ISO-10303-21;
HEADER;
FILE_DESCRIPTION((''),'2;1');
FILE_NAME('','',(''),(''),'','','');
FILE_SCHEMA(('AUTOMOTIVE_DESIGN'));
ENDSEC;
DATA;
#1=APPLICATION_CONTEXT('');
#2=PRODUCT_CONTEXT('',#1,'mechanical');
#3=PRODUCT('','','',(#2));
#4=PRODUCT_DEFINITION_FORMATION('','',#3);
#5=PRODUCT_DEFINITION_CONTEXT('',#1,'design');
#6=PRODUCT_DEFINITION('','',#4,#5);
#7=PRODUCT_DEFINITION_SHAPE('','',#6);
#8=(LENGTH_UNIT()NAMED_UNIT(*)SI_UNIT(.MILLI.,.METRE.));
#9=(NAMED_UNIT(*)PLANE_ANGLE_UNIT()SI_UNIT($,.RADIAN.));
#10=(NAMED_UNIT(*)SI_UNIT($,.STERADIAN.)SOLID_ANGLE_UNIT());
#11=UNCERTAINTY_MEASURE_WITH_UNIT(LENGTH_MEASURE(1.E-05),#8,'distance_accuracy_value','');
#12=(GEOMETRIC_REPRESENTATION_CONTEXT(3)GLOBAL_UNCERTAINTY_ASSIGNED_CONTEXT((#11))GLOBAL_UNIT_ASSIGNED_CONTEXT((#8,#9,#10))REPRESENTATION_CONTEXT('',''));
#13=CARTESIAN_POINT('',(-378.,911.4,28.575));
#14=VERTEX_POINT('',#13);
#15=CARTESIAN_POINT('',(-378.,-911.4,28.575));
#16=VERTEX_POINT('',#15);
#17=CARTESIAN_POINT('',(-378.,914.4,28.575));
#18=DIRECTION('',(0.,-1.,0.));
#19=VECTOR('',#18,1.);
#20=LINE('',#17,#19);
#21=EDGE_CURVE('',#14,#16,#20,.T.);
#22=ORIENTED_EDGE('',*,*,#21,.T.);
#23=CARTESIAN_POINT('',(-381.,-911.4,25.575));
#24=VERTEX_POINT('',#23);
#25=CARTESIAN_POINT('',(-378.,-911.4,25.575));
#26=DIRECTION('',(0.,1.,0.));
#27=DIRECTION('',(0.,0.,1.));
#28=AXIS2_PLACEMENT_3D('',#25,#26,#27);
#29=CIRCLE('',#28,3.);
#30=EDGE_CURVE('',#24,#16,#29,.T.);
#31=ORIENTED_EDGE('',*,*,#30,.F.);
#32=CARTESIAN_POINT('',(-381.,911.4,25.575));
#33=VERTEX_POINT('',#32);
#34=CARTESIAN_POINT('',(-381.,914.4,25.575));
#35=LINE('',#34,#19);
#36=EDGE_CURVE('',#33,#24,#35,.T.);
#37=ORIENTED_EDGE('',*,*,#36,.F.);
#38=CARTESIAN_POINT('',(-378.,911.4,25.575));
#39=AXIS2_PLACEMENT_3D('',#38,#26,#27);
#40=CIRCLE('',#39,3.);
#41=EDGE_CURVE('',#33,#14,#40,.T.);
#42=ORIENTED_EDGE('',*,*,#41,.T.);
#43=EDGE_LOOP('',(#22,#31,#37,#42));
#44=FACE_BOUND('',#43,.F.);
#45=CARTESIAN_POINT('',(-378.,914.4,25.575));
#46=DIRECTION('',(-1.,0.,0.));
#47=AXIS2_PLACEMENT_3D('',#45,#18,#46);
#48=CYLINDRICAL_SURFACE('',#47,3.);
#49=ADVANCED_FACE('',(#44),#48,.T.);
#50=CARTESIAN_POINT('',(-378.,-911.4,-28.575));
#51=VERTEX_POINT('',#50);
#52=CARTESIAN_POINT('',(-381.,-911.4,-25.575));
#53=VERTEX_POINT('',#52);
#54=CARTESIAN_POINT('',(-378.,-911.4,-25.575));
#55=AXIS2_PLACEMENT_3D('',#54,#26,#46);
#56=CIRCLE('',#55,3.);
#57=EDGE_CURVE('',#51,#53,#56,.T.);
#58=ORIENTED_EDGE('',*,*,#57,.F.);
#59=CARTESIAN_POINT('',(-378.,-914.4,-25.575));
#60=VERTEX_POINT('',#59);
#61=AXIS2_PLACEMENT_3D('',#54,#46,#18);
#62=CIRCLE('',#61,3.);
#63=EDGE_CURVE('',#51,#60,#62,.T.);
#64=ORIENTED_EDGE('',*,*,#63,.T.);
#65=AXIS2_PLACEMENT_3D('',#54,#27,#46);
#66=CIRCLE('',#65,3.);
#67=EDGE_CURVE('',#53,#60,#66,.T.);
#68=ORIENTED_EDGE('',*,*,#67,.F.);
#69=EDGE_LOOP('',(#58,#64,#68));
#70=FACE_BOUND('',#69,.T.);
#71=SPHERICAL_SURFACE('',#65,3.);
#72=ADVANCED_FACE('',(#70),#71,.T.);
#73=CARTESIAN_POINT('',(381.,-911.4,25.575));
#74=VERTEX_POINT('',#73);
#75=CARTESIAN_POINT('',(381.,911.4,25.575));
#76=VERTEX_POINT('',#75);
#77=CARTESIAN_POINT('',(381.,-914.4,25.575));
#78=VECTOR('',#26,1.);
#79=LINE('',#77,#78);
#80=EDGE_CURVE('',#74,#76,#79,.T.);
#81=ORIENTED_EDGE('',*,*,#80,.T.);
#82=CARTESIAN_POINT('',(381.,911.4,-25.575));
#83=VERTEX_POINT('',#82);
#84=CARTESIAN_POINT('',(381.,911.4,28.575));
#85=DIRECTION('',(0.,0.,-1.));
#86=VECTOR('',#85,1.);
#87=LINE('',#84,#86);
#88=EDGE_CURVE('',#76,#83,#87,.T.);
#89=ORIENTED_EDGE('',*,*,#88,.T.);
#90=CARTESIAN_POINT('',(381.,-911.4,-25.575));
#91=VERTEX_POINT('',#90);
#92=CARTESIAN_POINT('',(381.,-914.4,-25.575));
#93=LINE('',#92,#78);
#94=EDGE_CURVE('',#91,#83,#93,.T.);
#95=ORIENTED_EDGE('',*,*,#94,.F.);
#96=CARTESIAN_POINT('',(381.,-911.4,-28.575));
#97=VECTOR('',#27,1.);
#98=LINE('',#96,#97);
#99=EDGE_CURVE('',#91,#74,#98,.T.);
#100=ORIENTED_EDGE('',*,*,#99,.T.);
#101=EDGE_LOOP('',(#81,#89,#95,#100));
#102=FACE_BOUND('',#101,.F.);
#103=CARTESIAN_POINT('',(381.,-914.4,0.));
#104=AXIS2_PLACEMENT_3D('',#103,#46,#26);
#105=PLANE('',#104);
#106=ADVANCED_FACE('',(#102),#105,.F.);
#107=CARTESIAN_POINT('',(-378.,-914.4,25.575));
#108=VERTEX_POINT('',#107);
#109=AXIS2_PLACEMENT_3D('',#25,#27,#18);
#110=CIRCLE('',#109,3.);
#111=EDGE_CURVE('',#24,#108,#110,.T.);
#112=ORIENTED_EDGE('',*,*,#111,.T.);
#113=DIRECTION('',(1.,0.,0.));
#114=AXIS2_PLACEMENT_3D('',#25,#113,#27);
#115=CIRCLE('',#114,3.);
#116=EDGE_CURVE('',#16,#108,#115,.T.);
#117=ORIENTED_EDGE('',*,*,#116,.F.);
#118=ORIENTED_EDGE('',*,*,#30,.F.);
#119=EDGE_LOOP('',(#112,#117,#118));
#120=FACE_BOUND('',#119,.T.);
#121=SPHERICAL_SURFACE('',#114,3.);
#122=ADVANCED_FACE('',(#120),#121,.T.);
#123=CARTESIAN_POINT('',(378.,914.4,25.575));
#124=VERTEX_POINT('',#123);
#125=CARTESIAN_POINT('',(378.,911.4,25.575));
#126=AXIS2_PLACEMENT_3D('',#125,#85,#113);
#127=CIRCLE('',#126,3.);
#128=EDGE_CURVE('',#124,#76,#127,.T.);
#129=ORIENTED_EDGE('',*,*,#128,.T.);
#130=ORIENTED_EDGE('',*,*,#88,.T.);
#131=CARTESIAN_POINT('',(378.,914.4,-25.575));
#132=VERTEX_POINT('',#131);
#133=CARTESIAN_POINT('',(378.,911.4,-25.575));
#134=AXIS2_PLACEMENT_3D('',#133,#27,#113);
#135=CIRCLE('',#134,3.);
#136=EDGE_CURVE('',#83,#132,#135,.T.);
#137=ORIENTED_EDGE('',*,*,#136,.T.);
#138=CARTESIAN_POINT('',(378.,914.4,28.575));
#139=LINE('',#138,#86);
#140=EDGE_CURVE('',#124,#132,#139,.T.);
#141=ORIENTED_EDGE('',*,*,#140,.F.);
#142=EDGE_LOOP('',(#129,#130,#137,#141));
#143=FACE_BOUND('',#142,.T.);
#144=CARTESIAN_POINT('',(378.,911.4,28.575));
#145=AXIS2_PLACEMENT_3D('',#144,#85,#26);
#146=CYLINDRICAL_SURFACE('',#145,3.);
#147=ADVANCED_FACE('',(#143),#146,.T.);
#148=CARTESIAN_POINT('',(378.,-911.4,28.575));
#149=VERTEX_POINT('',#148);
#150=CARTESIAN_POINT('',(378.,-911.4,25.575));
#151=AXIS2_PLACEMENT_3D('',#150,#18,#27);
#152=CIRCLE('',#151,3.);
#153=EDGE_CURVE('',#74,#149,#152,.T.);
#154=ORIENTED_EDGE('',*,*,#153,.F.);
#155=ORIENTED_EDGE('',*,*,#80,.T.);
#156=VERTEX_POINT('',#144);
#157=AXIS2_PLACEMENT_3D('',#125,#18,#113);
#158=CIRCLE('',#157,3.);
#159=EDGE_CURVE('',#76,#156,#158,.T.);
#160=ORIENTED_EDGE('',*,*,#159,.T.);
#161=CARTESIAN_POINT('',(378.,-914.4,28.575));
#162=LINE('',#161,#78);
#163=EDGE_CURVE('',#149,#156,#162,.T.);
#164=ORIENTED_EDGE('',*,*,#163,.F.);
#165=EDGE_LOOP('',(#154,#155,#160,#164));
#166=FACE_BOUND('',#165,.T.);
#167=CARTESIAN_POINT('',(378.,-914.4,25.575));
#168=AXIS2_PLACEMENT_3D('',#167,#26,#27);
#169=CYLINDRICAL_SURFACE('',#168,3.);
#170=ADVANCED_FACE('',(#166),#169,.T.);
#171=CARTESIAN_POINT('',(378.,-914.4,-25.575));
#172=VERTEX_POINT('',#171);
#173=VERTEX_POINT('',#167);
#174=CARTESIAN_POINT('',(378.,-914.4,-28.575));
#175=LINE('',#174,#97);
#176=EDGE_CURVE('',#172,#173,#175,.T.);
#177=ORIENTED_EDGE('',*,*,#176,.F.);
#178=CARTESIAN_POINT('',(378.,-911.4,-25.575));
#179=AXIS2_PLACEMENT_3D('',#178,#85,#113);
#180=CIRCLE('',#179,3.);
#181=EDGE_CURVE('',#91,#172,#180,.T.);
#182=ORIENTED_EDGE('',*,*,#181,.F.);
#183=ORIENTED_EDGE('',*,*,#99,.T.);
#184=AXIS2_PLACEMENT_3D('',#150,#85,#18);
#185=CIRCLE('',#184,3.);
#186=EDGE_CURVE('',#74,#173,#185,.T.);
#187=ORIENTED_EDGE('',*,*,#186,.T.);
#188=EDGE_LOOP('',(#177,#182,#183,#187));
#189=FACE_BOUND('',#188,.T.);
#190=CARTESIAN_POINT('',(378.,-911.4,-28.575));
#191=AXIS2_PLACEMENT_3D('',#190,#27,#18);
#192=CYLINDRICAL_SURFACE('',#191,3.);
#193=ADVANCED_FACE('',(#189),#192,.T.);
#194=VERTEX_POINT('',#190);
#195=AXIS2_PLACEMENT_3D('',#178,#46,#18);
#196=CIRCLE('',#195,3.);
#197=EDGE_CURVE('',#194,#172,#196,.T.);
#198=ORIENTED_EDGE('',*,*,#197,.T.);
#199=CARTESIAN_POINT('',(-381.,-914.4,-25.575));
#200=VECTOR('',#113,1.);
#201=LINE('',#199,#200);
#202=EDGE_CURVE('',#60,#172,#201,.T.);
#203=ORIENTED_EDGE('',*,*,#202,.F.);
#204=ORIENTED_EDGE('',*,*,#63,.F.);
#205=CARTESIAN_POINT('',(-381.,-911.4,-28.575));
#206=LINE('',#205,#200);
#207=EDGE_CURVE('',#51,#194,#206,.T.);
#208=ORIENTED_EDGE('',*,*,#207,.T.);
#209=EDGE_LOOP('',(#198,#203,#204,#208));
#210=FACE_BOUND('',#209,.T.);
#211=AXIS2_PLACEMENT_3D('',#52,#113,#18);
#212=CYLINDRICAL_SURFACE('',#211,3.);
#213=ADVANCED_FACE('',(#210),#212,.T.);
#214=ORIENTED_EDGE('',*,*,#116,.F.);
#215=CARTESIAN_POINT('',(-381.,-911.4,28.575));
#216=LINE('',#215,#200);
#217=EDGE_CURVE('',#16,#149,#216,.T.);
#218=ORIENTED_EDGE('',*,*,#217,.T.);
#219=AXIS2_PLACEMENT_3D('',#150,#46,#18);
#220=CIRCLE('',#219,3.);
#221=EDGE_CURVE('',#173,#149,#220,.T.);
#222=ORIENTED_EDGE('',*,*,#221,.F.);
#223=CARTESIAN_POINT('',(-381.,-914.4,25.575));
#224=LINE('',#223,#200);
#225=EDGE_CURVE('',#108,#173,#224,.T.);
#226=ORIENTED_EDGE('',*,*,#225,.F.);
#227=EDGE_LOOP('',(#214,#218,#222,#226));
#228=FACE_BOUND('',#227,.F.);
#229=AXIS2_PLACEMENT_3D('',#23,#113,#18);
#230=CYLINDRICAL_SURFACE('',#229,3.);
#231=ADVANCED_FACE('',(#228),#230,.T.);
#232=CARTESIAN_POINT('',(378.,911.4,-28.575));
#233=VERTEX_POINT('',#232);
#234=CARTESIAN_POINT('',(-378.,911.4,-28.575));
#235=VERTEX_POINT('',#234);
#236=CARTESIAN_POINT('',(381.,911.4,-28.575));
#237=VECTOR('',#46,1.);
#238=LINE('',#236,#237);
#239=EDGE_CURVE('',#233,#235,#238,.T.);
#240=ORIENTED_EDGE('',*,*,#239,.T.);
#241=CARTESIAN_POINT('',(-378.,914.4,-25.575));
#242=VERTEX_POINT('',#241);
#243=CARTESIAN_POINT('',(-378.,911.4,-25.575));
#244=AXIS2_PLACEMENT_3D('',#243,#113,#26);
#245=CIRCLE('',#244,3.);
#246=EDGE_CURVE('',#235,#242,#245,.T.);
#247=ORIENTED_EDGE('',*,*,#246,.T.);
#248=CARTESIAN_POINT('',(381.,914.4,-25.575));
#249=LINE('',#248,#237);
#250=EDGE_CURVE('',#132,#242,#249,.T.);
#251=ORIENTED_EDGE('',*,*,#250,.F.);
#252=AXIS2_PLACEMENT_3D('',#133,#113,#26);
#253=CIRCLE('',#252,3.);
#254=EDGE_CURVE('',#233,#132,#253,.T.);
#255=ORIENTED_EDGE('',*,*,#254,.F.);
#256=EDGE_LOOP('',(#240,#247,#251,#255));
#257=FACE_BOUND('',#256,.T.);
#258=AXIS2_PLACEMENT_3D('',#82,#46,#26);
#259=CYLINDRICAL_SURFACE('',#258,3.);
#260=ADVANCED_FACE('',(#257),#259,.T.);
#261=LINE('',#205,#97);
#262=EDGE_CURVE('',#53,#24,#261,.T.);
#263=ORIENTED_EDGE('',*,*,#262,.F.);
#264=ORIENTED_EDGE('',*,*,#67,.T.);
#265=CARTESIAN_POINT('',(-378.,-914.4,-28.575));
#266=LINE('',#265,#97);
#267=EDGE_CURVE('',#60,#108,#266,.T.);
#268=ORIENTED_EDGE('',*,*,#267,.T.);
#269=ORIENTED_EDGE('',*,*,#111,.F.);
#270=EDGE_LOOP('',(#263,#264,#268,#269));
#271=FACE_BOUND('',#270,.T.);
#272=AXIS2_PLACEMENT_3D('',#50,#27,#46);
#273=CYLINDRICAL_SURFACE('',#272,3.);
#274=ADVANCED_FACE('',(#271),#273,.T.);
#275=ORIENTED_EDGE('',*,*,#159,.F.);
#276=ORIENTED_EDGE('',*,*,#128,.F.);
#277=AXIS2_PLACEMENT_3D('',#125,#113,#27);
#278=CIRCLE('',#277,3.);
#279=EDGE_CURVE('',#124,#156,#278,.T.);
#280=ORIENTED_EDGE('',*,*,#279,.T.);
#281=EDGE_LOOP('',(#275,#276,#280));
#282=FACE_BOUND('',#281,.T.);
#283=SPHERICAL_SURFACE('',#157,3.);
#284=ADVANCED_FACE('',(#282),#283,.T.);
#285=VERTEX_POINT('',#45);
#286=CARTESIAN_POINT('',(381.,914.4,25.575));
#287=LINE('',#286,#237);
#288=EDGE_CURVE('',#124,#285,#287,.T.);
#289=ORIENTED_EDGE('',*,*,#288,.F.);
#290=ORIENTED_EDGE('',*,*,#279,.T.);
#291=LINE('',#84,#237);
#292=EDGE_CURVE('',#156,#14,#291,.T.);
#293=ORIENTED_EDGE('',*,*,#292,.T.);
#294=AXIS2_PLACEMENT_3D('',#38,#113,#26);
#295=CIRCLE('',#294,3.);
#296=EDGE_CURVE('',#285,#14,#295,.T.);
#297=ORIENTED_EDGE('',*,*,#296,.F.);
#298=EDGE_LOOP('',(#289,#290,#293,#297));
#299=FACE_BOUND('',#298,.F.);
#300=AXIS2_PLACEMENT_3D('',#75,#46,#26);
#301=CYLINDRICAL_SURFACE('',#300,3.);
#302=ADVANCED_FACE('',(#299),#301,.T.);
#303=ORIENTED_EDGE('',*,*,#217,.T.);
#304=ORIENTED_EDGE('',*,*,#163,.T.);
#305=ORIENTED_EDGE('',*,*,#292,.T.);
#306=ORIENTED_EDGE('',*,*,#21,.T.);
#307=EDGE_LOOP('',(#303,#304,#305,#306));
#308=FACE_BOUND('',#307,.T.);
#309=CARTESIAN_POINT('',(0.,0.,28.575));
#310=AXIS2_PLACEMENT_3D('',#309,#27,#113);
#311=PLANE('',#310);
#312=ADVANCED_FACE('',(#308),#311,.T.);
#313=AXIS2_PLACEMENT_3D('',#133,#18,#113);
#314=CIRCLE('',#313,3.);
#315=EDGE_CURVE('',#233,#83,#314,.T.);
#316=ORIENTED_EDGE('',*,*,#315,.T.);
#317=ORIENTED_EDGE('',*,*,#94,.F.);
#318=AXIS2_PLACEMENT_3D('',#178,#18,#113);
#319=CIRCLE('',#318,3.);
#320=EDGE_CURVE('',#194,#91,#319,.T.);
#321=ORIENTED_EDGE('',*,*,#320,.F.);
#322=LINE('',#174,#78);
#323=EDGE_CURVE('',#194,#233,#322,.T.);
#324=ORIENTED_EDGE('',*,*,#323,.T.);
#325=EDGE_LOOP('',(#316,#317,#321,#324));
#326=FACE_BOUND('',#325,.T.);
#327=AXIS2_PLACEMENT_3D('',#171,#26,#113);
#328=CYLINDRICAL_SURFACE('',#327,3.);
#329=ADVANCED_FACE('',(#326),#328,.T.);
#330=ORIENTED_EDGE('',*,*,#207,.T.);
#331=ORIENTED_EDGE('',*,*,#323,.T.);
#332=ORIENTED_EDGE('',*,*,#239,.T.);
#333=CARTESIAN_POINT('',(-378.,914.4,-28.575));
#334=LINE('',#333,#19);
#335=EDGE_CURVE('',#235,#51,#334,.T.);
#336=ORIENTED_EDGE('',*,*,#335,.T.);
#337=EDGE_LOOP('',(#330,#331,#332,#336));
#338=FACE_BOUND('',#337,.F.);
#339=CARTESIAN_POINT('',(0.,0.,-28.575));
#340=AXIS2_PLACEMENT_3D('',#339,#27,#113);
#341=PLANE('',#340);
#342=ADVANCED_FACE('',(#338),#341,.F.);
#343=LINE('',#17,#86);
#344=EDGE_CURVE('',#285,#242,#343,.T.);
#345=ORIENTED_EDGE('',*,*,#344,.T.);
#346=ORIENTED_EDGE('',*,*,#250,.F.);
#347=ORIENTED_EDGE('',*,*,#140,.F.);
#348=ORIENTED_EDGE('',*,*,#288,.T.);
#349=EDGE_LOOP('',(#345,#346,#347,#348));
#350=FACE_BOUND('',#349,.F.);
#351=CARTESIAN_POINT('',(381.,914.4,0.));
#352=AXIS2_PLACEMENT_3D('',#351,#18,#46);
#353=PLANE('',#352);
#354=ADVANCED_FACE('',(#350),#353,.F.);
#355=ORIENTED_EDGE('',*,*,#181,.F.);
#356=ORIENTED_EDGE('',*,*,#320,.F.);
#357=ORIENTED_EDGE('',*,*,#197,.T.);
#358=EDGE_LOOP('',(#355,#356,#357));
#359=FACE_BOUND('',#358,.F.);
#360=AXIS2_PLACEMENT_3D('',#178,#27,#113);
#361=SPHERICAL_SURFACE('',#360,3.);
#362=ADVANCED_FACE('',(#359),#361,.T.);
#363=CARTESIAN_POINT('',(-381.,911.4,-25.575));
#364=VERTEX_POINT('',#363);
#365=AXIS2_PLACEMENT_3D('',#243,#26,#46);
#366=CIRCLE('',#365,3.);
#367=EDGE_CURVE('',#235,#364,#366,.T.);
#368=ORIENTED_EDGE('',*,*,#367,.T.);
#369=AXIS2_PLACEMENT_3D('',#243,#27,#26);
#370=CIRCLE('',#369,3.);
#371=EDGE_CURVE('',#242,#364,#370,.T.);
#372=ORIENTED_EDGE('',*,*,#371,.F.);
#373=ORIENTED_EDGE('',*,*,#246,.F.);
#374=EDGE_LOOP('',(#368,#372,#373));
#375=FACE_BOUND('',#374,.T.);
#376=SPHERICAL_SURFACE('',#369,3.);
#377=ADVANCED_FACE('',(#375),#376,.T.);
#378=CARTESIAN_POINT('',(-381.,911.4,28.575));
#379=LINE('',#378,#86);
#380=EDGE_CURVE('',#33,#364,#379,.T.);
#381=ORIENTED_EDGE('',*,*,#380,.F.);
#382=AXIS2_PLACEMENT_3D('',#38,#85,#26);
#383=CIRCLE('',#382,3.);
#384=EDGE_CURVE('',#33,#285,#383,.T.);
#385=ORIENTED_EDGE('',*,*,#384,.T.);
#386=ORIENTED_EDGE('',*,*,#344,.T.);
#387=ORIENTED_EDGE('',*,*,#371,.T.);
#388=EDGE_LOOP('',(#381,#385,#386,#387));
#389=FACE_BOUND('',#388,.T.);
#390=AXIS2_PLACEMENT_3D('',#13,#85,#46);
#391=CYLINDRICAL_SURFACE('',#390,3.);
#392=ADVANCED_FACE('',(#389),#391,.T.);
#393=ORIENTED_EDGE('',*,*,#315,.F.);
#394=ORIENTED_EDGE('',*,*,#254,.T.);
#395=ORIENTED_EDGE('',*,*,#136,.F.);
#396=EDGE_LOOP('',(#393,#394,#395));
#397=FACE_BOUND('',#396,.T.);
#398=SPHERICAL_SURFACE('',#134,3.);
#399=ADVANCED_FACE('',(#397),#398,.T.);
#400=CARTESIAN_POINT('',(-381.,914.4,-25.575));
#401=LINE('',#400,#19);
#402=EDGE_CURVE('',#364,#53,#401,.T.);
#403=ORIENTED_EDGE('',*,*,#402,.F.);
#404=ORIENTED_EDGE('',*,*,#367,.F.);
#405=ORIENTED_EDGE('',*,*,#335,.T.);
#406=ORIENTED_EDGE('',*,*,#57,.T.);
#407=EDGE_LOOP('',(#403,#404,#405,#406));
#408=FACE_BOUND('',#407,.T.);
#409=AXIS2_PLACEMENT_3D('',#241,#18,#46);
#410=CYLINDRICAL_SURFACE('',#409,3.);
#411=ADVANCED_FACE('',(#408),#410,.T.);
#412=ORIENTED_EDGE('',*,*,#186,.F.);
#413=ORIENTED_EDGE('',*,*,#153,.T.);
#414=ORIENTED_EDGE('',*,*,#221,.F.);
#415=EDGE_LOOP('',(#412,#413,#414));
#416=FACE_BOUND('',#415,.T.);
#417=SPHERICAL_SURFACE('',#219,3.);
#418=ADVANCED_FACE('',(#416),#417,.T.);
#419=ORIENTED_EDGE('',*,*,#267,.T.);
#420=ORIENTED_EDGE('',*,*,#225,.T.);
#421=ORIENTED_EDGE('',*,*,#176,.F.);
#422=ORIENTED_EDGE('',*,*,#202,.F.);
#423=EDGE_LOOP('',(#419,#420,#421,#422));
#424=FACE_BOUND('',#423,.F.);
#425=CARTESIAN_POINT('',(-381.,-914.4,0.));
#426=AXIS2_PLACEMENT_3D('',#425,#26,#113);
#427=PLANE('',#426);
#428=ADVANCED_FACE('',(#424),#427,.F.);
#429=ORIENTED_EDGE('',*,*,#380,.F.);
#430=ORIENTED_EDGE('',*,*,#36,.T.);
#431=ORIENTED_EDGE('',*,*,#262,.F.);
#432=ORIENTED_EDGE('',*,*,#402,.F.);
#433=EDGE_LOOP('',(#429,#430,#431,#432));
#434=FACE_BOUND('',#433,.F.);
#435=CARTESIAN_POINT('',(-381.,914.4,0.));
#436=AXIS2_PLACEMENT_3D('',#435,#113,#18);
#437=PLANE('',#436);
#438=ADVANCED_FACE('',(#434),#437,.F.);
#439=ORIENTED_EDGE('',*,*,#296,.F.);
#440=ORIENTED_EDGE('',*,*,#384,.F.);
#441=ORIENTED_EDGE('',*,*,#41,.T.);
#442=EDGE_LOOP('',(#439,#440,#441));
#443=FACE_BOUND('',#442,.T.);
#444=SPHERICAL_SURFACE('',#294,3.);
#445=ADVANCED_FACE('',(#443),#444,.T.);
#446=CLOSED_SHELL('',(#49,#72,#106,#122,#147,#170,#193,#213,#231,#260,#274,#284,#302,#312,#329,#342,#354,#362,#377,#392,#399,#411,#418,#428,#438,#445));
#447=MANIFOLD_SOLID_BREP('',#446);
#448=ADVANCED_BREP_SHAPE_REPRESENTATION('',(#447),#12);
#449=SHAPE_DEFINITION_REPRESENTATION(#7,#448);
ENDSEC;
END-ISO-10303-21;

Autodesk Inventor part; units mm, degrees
ref_plane "YZ Plane" through (0, 0, 0) normal (1, 0, 0) x (0, 1, 0)
ref_plane "XZ Plane" through (0, 0, 0) normal (0, 1, 0) x (-1, 0, 0)
ref_plane "XY Plane" through (0, 0, 0) normal (0, 0, 1) x (1, 0, 0)
sketch "Sketch1" plane through (0, 0, 0) normal (0, 0, 1) x (1, 0, 0)
  line L0 (-381, -914.4) -> (381, -914.4)
  line L1 (381, -914.4) -> (381, 914.4)
  line L2 (381, 914.4) -> (-381, 914.4)
  line L3 (-381, 914.4) -> (-381, -914.4)
  line L4 (-381, -914.4) -> (381, 914.4) construction
  line L5 (381, -914.4) -> (-381, 914.4) construction
  point P0 (0, 0)
  dimension "d0" = 762
  dimension "d1" = 1828.8
extrude "Extrusion1" add sketch "Sketch1" along normal mid plane 57.15
fillet "Fillet1" radius 3 12 edges at (0, -914.4, 28.575) (381, -914.4, 0) (381, 0, 28.575) (381, 914.4, 0) (0, 914.4, 28.575) (-381, 914.4, 0) (-381, 0, 28.575) (-381, -914.4, 0) (381, 0, -28.575) (0, 914.4, -28.575) (-381, 0, -28.575) (0, -914.4, -28.575)
properties part number "2125_Wood Bench Top_V1" material "Oak, Red"
